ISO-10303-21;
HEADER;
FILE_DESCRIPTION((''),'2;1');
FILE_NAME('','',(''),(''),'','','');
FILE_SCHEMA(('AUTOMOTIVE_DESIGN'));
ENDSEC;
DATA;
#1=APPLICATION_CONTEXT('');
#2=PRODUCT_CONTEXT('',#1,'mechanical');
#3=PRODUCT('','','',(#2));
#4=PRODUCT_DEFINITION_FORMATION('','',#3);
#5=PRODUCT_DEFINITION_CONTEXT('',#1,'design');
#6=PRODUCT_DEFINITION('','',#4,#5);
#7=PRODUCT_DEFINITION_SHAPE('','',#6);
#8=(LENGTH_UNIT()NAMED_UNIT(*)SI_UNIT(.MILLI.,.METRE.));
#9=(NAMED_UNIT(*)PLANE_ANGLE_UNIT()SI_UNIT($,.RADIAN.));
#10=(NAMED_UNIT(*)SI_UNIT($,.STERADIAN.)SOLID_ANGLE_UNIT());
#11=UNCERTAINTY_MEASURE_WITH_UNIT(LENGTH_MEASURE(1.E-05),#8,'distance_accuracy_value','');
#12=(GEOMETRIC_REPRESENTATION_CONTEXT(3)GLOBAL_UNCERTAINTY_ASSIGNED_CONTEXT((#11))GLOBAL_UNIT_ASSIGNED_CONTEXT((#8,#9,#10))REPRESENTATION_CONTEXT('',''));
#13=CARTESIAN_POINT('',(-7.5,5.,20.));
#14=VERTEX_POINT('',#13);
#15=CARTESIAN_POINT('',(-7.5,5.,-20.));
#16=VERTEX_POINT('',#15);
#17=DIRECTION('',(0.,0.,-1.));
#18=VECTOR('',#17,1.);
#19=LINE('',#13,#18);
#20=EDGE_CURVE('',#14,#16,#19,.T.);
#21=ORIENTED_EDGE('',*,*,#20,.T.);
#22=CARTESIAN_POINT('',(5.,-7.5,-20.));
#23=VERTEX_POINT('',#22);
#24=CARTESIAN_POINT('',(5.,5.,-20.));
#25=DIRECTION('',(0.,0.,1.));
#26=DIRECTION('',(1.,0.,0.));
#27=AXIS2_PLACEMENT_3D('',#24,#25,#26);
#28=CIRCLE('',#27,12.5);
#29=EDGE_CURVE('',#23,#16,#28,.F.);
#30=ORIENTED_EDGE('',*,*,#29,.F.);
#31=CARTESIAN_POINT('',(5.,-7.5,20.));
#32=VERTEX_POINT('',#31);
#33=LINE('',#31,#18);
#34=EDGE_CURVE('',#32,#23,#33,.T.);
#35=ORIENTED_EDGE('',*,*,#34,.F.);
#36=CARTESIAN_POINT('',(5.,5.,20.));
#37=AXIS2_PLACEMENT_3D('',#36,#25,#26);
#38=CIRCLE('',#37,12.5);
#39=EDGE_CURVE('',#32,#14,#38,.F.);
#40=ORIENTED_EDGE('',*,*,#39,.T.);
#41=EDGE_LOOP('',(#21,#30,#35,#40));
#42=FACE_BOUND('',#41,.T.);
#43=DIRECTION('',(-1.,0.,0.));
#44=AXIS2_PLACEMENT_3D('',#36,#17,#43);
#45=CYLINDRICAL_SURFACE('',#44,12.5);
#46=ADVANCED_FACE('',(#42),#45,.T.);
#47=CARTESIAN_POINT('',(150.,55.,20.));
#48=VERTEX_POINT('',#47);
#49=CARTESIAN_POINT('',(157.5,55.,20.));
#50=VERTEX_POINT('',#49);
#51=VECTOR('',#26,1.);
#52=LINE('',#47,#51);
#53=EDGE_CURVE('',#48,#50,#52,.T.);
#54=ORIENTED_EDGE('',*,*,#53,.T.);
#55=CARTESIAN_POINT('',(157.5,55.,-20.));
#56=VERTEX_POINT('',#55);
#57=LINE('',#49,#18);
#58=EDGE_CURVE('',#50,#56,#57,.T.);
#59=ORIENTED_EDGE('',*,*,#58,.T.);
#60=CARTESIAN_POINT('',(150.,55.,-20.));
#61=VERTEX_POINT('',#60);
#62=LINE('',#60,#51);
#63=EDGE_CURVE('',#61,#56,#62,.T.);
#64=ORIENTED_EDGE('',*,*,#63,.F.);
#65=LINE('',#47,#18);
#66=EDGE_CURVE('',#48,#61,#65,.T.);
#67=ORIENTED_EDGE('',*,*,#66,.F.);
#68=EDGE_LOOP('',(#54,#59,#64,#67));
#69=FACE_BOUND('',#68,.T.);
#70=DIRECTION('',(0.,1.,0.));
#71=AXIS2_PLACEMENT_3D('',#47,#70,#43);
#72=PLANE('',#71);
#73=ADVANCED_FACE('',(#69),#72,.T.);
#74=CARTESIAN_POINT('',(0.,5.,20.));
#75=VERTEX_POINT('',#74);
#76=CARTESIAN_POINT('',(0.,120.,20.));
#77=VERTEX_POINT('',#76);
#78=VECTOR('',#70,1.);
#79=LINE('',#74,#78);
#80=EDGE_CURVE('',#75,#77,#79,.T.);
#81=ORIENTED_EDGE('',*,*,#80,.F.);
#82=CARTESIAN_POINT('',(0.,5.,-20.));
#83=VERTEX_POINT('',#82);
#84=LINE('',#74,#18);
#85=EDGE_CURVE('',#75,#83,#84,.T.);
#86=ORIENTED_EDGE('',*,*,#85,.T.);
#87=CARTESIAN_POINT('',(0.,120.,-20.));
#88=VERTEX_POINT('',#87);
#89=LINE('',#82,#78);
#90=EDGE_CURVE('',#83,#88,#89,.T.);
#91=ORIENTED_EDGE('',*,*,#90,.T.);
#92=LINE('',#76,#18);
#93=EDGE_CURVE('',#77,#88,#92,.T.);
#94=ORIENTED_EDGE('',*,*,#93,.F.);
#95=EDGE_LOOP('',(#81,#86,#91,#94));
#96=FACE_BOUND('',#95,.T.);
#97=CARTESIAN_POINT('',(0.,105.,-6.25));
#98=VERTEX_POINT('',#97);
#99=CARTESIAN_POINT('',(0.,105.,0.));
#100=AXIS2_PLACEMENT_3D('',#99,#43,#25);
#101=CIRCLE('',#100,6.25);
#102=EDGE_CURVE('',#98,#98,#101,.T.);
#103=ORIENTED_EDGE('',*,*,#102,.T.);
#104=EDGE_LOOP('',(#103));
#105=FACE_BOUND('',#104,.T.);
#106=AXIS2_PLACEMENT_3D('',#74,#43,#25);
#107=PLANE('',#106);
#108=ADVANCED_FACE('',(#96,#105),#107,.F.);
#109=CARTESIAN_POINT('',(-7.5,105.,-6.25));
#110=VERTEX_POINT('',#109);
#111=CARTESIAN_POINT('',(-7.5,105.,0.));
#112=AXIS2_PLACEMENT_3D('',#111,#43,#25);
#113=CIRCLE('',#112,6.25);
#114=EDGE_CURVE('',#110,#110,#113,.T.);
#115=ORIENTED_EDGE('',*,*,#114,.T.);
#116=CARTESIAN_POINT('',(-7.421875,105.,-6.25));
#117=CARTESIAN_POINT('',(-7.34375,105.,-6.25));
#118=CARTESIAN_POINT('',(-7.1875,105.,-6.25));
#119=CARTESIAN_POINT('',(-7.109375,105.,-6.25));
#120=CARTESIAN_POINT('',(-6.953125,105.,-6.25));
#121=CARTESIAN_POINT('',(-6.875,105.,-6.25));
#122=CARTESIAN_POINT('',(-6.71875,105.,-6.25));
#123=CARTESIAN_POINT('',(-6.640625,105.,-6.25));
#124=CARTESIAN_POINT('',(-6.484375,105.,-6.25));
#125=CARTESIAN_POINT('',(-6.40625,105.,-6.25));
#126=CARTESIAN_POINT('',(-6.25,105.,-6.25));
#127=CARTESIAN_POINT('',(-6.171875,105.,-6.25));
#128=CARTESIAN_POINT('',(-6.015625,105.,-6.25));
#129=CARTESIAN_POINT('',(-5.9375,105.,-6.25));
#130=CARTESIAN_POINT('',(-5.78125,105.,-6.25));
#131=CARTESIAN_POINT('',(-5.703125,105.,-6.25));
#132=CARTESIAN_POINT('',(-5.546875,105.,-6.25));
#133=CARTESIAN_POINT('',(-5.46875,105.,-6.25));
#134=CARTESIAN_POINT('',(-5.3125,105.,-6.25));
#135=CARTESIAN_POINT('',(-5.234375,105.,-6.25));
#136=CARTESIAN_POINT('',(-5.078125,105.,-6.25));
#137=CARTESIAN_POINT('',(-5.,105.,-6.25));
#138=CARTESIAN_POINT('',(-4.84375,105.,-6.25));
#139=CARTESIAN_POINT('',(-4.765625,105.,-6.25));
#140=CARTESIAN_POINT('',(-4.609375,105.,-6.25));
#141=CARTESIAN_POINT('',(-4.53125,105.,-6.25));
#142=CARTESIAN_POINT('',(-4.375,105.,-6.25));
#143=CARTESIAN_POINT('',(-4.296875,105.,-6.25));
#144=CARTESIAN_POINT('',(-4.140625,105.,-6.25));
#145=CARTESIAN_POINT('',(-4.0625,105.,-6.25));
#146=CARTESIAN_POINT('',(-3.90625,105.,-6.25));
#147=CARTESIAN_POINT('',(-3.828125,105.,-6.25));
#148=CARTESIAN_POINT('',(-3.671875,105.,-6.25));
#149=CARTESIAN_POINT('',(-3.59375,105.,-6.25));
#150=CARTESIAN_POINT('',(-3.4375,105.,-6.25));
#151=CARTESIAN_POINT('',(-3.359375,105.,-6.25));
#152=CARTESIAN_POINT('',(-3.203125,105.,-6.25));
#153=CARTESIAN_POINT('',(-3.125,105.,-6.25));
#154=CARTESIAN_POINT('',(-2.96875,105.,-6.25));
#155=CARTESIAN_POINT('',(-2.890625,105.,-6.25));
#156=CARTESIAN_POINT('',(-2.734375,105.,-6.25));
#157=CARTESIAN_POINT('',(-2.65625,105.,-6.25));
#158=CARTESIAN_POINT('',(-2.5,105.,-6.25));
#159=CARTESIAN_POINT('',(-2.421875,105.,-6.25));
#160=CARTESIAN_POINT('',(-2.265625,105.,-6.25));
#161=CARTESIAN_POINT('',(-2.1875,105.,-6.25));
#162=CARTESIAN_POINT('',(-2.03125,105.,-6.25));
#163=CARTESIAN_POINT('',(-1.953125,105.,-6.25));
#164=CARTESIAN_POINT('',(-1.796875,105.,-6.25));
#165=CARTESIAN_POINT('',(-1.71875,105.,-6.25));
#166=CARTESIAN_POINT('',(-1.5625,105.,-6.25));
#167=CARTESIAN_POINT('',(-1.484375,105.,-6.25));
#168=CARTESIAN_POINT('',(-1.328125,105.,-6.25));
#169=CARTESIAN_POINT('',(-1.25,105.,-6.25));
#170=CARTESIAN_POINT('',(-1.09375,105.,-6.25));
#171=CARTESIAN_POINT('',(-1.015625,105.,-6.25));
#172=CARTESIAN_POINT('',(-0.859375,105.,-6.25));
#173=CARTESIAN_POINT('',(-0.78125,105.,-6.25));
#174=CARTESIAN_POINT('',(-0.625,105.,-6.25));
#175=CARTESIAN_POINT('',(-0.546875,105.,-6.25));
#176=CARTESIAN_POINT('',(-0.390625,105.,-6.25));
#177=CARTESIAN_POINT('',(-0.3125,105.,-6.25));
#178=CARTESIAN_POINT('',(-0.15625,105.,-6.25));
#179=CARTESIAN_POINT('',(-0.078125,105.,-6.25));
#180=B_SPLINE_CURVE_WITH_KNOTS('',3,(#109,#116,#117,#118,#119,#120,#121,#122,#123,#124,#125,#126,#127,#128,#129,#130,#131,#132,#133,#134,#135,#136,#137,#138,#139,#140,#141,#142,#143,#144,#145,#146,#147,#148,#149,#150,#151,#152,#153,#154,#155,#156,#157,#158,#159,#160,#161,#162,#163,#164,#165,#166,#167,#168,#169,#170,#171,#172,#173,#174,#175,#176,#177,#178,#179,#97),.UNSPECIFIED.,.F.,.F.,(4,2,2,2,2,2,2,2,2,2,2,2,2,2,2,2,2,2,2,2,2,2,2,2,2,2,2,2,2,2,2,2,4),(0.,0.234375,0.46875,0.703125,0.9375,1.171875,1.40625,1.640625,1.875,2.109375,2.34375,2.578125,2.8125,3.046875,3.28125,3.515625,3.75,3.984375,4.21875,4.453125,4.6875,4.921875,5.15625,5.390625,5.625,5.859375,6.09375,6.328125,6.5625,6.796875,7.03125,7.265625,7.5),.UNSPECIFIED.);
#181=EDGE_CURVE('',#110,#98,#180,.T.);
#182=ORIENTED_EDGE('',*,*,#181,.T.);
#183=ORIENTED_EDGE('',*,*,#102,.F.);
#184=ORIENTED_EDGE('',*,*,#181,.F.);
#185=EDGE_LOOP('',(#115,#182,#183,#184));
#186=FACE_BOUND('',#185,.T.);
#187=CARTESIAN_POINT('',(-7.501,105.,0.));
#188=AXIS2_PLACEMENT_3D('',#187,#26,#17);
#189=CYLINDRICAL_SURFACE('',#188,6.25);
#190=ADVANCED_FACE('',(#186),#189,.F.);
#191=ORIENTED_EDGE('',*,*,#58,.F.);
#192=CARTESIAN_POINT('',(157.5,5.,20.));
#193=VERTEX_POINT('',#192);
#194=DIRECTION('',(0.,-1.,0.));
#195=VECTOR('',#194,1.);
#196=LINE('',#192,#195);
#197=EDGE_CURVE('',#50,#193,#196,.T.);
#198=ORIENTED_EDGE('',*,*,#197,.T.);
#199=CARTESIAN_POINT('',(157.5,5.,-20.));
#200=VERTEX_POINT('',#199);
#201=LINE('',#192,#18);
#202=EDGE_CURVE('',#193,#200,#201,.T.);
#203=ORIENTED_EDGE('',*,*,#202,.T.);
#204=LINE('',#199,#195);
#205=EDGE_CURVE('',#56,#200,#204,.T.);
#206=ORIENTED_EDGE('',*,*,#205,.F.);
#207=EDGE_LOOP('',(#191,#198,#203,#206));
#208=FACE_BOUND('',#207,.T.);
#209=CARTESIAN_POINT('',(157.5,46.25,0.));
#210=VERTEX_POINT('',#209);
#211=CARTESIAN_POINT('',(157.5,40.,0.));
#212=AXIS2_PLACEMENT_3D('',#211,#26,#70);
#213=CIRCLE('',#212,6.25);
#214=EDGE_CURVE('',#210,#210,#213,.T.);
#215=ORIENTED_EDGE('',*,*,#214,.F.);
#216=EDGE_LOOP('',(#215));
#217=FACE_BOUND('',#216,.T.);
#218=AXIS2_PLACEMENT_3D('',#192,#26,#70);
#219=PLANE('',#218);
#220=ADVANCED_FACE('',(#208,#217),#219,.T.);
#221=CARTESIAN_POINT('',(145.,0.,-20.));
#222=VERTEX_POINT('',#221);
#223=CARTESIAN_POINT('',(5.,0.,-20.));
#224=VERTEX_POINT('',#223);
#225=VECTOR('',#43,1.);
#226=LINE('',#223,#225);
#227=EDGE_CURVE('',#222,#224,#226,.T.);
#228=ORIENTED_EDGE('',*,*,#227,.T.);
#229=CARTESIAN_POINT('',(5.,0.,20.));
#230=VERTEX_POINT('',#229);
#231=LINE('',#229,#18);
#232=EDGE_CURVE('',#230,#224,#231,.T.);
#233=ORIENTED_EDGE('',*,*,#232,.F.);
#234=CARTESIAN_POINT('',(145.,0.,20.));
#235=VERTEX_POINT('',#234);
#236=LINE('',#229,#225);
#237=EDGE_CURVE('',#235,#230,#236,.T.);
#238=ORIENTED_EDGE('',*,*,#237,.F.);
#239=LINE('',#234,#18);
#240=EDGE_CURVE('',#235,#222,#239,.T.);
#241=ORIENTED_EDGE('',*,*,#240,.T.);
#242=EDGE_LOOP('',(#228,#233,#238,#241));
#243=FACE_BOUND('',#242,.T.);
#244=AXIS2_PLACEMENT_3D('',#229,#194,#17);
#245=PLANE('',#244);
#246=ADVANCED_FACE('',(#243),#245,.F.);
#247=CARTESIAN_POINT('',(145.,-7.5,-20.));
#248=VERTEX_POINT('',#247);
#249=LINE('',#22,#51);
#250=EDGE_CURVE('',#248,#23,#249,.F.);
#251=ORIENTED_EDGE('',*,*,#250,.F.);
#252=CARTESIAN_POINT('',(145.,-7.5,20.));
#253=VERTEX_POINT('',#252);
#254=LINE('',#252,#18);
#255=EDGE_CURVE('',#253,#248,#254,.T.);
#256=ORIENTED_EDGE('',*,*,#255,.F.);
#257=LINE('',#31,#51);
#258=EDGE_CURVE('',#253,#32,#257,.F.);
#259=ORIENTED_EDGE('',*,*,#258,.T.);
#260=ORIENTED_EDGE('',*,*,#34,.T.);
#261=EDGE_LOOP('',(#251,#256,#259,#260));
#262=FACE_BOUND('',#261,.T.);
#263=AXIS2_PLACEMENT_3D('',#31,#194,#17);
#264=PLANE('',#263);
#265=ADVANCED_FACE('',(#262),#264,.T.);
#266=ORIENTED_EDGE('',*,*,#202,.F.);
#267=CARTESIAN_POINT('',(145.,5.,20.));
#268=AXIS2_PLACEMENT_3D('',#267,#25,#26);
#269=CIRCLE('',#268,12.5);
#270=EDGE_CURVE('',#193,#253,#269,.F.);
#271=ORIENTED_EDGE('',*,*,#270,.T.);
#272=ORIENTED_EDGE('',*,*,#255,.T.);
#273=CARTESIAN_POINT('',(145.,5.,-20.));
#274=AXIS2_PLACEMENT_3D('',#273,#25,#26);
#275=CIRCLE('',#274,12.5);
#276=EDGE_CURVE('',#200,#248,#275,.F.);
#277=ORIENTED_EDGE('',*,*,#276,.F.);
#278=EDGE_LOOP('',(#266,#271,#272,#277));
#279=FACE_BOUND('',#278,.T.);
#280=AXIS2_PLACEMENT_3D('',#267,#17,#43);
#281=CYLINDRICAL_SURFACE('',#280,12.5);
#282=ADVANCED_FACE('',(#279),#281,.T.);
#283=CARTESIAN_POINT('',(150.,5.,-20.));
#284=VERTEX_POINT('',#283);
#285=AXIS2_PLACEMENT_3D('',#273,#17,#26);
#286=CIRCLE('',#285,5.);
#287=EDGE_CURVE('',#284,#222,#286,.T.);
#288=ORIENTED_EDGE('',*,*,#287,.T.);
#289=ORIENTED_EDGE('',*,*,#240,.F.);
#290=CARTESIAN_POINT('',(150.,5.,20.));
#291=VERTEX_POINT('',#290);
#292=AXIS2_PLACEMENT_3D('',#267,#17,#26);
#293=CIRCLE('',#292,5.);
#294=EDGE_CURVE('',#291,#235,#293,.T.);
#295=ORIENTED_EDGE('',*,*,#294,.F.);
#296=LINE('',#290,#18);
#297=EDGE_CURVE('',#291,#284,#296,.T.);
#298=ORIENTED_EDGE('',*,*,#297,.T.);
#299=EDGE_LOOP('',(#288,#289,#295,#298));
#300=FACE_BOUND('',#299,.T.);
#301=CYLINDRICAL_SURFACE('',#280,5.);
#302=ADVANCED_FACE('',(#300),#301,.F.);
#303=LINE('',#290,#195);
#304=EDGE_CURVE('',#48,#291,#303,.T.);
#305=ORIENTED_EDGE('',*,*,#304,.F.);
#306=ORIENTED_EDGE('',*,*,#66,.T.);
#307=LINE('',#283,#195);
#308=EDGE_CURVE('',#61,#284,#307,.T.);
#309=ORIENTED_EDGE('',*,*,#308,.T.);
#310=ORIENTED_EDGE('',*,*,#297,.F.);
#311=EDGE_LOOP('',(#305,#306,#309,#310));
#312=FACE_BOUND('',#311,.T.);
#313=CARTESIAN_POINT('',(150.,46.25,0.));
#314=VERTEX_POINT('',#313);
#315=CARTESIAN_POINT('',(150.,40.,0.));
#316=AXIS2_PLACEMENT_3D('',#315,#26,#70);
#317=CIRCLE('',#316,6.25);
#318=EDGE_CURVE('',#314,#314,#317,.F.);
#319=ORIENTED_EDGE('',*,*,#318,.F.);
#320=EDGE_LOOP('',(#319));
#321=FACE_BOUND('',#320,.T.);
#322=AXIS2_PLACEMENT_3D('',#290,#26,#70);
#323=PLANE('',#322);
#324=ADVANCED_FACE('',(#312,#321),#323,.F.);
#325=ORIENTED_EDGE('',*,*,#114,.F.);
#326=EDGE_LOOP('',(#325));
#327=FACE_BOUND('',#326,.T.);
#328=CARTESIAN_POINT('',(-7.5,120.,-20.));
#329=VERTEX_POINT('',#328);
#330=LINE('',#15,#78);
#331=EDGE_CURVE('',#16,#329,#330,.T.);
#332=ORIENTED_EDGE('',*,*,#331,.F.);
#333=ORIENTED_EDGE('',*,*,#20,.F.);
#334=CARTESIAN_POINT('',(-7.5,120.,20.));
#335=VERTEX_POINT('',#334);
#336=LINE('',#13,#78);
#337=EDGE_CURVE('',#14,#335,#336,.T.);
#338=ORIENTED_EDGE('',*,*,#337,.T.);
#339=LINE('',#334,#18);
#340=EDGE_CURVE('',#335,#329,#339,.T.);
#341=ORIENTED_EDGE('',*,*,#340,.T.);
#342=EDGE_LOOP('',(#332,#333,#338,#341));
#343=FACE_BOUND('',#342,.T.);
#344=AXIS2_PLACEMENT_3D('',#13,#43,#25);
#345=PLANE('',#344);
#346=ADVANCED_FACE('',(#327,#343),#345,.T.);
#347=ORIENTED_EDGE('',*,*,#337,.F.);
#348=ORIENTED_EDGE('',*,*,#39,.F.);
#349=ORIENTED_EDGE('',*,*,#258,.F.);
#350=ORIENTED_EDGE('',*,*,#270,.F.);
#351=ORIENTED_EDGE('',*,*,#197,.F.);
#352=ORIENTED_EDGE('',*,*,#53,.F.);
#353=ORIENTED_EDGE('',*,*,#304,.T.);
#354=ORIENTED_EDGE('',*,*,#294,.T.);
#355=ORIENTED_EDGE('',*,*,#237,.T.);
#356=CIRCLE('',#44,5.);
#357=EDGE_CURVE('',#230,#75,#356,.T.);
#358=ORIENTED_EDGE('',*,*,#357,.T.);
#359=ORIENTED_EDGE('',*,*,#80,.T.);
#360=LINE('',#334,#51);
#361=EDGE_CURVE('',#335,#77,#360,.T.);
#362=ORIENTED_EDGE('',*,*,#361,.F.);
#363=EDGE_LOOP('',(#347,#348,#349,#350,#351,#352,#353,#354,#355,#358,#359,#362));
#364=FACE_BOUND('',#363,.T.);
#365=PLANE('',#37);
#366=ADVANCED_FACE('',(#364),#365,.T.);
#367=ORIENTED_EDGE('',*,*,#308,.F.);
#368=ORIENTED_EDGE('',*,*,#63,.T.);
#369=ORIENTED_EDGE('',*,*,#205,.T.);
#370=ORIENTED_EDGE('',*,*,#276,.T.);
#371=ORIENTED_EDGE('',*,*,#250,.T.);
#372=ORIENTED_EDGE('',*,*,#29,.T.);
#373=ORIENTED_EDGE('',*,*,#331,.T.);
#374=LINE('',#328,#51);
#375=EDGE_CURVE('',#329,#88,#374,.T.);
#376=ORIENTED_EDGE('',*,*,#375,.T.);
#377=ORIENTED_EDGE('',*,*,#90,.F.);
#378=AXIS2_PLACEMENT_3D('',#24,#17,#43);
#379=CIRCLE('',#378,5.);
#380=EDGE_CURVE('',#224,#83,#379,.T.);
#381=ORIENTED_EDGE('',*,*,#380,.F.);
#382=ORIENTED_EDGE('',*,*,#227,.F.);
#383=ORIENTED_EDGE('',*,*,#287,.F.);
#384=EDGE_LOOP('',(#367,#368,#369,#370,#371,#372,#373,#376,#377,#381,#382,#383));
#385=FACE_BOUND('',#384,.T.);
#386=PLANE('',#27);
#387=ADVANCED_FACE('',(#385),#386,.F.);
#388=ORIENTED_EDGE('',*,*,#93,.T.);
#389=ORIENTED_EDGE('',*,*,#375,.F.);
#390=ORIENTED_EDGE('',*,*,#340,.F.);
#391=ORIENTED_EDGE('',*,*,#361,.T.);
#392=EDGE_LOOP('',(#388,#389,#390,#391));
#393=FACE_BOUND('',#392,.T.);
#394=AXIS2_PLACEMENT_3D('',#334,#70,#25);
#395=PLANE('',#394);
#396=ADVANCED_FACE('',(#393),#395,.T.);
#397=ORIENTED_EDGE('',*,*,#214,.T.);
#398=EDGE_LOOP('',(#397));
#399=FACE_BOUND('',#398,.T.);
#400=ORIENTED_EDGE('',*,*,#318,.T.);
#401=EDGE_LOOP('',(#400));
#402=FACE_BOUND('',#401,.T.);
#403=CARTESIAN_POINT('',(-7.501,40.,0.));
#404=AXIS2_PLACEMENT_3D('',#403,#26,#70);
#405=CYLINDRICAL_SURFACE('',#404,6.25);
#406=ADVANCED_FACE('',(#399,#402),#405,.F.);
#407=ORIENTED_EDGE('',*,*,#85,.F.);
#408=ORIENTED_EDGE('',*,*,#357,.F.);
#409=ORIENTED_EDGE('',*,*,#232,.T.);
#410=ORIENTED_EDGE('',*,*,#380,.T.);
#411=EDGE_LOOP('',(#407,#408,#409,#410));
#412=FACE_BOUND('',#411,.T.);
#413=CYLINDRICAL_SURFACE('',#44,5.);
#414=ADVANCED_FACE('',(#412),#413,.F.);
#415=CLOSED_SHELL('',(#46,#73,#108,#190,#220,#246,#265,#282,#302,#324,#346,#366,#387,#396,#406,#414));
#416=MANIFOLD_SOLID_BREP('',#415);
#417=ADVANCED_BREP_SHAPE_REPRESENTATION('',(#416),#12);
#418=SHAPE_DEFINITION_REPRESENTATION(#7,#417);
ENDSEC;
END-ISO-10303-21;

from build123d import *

# Parameters (mm, degrees)
BASE_EXTRUDE_THIN_DEPTH = 20
CUT_EXTRUDE1_REACH      = 187.74
SKETCH2_R               = 6.25
CUT_EXTRUDE2_REACH      = 207
SKETCH3_R               = 6.25


with BuildPart() as part:
    # Sketch1 → Base-Extrude-Thin (new, symmetric)
    with BuildSketch(Plane.XY):
        with BuildLine():
            Line((0, 120), (0, 5))
            ThreePointArc((0, 5), (1.464466094, 1.464466094), (5, 0))
            Line((5, 0), (145, 0))
            ThreePointArc((145, 0), (148.535533906, 1.464466094), (150, 5))
            Line((150, 5), (150, 55))
            Line((150, 55), (157.5, 55))
            Line((157.5, 55), (157.5, 5))
            ThreePointArc((157.5, 5), (153.838834765, -3.838834765), (145, -7.5))
            Line((145, -7.5), (5, -7.5))
            ThreePointArc((5, -7.5), (-3.838834765, -3.838834765), (-7.5, 5))
            Line((-7.5, 5), (-7.5, 120))
            Line((-7.5, 120), (0, 120))
        make_face()
    extrude(amount=BASE_EXTRUDE_THIN_DEPTH, both=True)

    # Sketch2 → Cut-Extrude1 (cut, up to next)
    with BuildSketch(Plane(origin=(0, 88.9, 0), x_dir=(0, -1, 0), z_dir=(-1, 0, 0)), mode=Mode.PRIVATE) as cut_extrude1_sk1:
        with Locations(Location((-16.1, 0, 0), (0, 0, 270))):
            Circle(SKETCH2_R)
    cut_extrude1_tool1 = extrude(cut_extrude1_sk1.sketch, amount=CUT_EXTRUDE1_REACH, mode=Mode.PRIVATE) & part.part
    add(cut_extrude1_tool1.solids().sort_by_distance((0, 105, 0))[0], mode=Mode.SUBTRACT)

    # Sketch3 → Cut-Extrude2 (cut, up to next)
    with BuildSketch(Plane(origin=(157.5, 0, 0), x_dir=(0, 0, -1), z_dir=(1, 0, 0)), mode=Mode.PRIVATE) as cut_extrude2_sk1:
        with Locations(Location((0, 40, 0), (0, 0, 90))):
            Circle(SKETCH3_R)
    cut_extrude2_tool1 = extrude(cut_extrude2_sk1.sketch, amount=-CUT_EXTRUDE2_REACH, mode=Mode.PRIVATE) & part.part
    add(cut_extrude2_tool1.solids().sort_by_distance((157.5, 40, 0))[0], mode=Mode.SUBTRACT)


solid = part.part
